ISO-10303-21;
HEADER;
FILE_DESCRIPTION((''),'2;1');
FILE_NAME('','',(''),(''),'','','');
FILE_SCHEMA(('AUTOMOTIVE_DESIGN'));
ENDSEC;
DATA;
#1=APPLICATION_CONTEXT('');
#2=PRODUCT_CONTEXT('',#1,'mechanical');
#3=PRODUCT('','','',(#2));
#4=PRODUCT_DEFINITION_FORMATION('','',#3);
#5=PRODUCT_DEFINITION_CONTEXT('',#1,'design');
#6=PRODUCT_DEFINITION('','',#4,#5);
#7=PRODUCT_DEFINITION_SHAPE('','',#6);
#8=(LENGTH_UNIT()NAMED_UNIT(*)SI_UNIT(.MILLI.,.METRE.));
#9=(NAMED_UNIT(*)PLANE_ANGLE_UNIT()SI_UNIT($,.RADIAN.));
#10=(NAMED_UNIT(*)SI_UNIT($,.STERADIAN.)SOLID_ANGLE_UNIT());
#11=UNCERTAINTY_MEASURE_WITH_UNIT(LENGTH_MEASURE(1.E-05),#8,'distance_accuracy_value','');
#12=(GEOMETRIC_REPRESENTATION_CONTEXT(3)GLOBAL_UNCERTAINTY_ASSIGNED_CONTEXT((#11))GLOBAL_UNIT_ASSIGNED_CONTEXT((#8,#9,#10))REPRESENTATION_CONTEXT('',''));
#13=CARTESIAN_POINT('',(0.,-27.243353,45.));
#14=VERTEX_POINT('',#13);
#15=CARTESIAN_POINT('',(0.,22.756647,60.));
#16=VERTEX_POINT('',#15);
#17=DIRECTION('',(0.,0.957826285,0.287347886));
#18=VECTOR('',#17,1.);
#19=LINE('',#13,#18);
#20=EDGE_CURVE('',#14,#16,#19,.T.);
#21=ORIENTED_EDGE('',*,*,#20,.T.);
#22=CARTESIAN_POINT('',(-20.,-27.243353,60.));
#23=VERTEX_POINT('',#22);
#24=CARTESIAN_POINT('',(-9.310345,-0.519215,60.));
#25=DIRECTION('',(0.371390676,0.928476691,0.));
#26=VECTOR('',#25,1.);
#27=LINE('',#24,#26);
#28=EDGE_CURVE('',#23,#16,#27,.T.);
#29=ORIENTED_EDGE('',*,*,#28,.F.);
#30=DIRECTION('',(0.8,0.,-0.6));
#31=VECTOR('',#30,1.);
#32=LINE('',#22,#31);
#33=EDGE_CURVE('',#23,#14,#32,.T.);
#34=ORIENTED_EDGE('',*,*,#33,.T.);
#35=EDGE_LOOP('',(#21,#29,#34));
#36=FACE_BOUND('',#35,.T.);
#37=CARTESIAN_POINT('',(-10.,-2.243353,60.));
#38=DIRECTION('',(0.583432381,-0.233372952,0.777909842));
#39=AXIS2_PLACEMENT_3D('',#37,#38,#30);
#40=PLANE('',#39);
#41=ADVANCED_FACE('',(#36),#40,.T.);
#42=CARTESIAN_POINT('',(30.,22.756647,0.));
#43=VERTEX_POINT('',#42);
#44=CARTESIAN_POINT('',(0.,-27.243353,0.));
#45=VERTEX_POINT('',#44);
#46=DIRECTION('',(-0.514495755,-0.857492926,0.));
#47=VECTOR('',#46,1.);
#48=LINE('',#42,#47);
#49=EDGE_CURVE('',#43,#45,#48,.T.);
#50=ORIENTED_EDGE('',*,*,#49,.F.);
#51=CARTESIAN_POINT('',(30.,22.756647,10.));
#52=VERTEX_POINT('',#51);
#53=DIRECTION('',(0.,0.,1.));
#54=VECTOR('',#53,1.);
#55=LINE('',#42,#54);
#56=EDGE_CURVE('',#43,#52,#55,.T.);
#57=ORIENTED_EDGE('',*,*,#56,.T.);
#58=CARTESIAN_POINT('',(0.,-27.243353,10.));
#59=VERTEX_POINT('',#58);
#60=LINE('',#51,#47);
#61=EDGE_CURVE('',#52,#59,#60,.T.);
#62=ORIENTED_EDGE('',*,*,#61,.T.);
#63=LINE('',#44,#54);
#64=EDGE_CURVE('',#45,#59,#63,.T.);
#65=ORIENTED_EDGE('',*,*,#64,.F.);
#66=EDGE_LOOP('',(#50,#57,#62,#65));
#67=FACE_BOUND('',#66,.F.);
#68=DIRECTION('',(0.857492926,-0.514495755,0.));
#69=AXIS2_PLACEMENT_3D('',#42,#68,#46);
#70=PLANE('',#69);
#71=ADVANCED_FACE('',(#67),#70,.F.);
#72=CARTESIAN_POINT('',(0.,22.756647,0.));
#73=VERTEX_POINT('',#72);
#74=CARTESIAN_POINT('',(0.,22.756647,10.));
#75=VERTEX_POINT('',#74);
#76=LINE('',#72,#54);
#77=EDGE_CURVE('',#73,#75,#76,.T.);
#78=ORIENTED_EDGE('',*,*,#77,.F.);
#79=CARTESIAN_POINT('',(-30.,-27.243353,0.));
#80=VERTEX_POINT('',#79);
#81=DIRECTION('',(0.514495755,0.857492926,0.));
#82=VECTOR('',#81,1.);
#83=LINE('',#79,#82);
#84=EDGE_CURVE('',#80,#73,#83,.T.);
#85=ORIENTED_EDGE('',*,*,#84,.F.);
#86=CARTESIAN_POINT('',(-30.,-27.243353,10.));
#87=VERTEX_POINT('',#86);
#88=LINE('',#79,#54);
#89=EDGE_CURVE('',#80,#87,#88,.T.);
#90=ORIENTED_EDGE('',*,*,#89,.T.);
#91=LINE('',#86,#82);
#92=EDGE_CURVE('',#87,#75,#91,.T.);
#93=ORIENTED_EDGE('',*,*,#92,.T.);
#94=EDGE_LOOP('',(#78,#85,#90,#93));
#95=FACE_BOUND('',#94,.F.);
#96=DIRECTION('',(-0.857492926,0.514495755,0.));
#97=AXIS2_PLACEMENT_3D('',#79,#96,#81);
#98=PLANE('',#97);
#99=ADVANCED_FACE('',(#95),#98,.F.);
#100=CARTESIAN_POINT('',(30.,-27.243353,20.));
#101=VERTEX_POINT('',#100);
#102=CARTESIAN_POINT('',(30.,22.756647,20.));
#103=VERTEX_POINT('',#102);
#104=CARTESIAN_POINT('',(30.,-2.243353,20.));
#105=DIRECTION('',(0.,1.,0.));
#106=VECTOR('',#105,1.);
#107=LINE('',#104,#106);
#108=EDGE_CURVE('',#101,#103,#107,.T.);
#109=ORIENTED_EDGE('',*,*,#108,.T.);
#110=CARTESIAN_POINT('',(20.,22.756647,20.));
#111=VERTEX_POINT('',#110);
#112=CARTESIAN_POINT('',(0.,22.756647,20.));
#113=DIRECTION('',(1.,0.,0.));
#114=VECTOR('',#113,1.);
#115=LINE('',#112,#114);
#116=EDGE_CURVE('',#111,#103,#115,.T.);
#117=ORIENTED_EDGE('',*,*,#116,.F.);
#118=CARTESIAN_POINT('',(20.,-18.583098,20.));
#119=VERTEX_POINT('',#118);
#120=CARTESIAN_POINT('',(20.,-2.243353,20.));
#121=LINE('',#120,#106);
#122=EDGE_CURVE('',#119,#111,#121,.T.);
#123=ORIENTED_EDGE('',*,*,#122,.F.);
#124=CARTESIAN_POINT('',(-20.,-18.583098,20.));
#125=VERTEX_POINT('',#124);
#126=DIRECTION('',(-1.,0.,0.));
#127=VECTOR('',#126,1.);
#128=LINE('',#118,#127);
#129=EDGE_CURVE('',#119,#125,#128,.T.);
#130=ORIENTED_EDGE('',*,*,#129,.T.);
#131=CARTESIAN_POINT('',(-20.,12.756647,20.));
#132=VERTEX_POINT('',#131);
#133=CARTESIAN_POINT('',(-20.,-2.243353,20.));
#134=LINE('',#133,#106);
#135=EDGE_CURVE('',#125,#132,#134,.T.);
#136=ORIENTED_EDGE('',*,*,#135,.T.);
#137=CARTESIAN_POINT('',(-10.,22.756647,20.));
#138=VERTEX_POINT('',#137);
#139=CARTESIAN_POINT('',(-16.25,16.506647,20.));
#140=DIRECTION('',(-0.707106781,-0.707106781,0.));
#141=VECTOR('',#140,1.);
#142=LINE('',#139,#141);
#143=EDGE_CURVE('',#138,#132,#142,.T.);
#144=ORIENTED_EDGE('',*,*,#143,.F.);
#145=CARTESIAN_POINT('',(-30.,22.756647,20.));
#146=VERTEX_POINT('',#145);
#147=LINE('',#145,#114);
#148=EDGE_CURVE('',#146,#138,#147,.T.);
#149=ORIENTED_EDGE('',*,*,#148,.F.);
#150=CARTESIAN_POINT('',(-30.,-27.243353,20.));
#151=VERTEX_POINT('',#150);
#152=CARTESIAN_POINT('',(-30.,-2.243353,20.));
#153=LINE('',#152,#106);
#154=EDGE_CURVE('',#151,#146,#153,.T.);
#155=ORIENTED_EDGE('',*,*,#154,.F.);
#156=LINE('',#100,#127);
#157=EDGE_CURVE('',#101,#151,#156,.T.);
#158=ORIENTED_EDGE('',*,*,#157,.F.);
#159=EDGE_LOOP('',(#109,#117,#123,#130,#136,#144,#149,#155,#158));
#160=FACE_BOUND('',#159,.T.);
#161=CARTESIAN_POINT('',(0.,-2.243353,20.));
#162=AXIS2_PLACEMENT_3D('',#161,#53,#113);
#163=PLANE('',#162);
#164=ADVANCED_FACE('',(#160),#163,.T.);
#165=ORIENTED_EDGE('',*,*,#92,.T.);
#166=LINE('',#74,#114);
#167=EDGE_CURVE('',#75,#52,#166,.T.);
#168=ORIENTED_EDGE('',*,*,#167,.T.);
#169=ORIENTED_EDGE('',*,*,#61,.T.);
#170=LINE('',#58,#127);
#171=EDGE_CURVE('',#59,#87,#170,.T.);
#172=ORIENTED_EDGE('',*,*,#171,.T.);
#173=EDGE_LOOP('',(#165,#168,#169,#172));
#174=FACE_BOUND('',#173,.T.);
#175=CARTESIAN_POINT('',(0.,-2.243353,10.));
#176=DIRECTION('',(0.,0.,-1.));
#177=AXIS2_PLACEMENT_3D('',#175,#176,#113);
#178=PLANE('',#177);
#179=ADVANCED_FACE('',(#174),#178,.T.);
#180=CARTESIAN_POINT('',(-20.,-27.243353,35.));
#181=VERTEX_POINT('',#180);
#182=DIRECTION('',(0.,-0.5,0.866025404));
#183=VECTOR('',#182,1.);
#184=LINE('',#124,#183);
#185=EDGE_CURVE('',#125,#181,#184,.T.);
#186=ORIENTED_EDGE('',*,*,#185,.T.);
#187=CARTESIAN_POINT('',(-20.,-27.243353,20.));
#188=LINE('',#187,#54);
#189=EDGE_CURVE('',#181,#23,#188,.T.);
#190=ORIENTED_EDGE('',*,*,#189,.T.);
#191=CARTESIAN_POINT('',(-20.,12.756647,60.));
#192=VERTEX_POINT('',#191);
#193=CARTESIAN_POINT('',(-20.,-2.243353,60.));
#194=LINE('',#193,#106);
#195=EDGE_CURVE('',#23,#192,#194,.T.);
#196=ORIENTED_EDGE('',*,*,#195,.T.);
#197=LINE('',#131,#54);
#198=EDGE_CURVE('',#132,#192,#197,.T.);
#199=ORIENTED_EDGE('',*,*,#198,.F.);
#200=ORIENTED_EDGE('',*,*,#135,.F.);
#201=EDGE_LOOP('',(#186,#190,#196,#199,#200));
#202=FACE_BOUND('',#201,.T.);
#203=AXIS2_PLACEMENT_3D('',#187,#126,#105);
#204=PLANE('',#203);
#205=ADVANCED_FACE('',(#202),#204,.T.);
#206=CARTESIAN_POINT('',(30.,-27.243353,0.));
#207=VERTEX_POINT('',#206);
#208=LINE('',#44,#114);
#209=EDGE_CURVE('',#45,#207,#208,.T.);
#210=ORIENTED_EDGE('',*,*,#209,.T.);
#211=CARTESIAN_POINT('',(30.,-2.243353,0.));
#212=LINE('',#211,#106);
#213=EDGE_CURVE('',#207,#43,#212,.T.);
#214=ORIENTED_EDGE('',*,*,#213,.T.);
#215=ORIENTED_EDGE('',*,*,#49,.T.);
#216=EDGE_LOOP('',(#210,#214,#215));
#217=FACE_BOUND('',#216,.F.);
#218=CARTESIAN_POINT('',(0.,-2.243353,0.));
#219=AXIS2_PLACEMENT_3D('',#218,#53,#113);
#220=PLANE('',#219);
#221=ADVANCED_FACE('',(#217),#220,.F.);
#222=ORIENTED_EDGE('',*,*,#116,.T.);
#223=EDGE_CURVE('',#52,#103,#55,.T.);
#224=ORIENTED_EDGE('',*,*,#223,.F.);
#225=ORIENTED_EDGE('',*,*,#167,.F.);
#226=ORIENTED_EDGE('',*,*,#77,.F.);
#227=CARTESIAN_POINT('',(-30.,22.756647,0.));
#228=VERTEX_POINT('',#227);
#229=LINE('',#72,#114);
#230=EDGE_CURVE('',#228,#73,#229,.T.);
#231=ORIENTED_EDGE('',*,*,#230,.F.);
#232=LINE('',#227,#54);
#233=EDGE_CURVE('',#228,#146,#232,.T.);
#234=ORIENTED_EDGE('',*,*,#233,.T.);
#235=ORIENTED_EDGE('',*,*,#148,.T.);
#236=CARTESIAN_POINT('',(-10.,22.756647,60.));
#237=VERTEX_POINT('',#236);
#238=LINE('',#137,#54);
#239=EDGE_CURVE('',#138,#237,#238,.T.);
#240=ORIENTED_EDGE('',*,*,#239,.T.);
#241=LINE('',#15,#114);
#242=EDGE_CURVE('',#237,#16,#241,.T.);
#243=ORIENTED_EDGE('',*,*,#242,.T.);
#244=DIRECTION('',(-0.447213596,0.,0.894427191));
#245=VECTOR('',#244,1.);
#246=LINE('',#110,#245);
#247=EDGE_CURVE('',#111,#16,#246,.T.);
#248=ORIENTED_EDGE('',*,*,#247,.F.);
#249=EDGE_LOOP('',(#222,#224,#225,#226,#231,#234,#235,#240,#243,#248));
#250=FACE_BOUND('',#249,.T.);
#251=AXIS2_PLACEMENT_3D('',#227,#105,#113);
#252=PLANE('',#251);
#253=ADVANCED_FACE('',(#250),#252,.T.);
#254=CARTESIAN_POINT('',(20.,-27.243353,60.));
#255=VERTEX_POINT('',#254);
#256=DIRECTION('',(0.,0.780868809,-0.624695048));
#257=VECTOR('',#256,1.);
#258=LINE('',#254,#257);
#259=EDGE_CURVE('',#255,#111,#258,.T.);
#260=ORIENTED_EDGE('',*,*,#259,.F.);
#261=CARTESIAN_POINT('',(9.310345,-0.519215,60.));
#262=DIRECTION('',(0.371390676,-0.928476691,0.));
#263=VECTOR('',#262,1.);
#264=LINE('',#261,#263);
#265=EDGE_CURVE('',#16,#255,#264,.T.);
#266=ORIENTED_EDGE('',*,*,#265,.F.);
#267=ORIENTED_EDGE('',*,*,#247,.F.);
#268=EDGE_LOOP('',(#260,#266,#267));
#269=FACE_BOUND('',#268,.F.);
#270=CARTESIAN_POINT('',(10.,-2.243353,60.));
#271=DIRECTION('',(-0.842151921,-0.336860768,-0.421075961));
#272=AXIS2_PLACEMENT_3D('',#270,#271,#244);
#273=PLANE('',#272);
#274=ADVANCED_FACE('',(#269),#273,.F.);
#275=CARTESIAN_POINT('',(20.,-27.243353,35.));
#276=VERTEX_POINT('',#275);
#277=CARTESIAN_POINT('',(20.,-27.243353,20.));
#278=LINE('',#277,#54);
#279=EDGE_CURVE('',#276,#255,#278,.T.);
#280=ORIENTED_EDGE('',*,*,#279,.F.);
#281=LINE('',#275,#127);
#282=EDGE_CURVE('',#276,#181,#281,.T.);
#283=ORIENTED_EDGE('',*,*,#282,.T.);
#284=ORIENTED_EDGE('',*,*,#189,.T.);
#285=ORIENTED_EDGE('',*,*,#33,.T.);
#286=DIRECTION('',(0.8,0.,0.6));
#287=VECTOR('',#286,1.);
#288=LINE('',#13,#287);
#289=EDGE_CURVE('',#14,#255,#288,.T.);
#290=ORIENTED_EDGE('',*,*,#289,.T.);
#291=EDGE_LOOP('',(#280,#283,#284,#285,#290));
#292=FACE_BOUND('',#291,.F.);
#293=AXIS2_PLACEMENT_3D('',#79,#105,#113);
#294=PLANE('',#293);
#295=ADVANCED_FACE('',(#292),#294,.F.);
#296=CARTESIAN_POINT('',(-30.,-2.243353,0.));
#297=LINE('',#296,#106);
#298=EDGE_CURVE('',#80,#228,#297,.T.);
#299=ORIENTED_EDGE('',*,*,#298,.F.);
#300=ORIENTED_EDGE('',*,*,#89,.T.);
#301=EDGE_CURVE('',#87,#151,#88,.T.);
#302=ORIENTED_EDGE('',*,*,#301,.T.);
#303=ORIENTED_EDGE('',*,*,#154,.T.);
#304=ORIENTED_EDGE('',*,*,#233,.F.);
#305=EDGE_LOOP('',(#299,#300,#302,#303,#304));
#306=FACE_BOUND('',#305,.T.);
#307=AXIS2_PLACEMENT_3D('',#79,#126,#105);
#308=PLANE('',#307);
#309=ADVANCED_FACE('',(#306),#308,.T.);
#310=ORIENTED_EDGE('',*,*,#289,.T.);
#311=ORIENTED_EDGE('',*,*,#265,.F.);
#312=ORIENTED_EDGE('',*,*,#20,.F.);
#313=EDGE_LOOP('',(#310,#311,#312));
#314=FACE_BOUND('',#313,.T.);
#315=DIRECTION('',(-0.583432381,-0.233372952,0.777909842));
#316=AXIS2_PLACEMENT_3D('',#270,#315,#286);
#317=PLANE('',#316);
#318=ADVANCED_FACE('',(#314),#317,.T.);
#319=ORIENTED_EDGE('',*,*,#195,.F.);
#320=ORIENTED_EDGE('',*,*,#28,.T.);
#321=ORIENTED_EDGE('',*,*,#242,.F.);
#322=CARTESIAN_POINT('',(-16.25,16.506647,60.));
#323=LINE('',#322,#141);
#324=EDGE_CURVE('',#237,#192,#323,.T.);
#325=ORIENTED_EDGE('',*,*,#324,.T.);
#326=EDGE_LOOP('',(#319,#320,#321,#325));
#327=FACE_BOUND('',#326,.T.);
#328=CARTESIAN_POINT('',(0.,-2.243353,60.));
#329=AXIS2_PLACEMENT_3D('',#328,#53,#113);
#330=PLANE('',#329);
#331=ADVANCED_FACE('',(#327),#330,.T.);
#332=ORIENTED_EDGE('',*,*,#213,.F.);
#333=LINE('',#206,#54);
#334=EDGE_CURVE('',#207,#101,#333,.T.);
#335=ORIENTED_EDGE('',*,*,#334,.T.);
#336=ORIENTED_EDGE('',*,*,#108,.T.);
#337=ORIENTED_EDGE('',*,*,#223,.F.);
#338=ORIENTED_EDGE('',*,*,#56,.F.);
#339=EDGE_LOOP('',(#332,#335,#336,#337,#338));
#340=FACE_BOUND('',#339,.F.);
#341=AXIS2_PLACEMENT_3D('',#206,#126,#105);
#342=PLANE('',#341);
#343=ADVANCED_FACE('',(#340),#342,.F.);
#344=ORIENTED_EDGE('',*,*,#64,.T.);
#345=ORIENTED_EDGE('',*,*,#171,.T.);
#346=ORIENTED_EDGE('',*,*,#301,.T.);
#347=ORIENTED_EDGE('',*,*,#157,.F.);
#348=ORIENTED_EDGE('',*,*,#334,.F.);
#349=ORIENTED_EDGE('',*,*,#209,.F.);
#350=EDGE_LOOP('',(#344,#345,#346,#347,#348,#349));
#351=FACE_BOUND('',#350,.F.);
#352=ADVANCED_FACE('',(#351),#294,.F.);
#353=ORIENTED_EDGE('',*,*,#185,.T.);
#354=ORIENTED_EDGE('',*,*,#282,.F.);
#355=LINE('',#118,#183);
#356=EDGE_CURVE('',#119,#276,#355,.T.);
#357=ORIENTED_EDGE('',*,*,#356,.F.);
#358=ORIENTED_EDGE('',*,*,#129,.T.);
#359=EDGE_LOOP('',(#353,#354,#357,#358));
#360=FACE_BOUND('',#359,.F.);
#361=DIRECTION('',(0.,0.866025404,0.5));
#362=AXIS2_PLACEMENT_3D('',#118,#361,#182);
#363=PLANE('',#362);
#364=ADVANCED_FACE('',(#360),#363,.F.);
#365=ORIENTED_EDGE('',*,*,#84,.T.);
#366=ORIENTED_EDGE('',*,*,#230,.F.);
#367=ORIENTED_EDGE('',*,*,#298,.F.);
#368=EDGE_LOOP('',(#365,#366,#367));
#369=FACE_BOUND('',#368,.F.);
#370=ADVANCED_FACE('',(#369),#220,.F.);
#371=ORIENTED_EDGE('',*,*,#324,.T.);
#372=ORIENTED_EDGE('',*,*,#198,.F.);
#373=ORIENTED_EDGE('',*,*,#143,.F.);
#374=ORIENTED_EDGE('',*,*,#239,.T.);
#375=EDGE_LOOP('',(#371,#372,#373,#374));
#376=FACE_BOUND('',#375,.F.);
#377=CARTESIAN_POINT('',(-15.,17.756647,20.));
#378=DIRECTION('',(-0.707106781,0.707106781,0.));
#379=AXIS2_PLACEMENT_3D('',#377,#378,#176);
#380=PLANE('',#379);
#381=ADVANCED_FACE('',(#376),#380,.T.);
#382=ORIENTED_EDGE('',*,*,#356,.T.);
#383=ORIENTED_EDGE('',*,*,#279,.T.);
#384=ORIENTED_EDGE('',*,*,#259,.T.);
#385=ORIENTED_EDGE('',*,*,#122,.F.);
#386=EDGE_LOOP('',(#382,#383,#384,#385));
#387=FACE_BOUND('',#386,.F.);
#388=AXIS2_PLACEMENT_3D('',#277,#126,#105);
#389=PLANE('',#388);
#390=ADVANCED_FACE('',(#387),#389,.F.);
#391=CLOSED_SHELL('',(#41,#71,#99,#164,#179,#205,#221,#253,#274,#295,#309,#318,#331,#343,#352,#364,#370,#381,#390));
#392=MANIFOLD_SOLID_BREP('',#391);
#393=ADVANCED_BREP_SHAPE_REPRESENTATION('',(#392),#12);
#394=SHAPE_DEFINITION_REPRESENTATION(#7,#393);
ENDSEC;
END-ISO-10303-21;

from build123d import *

# Parameters (mm, degrees)
F0_W     = 60
F0_H     = 50
F1_DEPTH = 20
F2_W     = 40
F2_H     = 50
F3_DEPTH = 40
F5_DEPTH = 40
F7_DEPTH = 10
F14_SIZE = 10


with BuildPart() as f1:
    # F0 (on Top) → F1 (new body)
    with BuildSketch(Plane.XY):
        with Locations((0, -2.2433525367)):
            Rectangle(F0_W, F0_H)
    extrude(amount=F1_DEPTH)

    # F2 (on face) → F3 (join)
    with BuildSketch(Plane.XY.offset(20)):
        with Locations((0, -2.2433525367)):
            Rectangle(F2_W, F2_H)
    extrude(amount=F3_DEPTH)

    # F4 (on face) → F5 (cut, through all)
    with BuildSketch(Plane.YZ.offset(20)):
        Polygon((-18.5830984988, 20), (-27.2433525367, 35), (-27.2433525367, 20), align=None)
    extrude(amount=-F5_DEPTH, mode=Mode.SUBTRACT)

    # F6 (on face) → F7 (cut)
    with BuildSketch(Plane(origin=(0, 0, 0), x_dir=(1, 0, 0), z_dir=(0, 0, -1))):
        Polygon((0, 27.2433525367), (-30, 27.2433525367), (0, -22.7566474633), (30, -22.7566474633), align=None)
    extrude(amount=-F7_DEPTH, mode=Mode.SUBTRACT)

    # F10: sweep along a path in F9
    with BuildLine(Plane.YZ.offset(20)) as f10_path:
        Line((-27.2433525367, 45), (22.7566474633, 60))
    # F8 (on face) → F10 (sweep, cut)
    with BuildSketch(Plane.XZ.offset(27.2433525367)):
        Polygon((20, 60), (-20, 60), (0, 45), align=None)
    sweep(path=f10_path.line, mode=Mode.SUBTRACT)

    # F13: sweep along a path in F12
    with BuildLine(Plane.YZ.offset(20)) as f13_path:
        Line((-27.2433525367, 60), (22.7566474633, 20))
    # F11 (on face) → F13 (sweep, cut)
    with BuildSketch(Plane(origin=(0, 22.7566474633, 0), x_dir=(-1, 0, 0), z_dir=(0, 1, 0))):
        Polygon((0, 60), (-20, 60), (-20, 20), align=None)
    sweep(path=f13_path.line, mode=Mode.SUBTRACT)

    # F14
    f14_edges = [f1.edges().sort_by_distance(p)[0] for p in [
        (-20, 22.756647, 40),
    ]]
    chamfer(f14_edges, length=F14_SIZE)


solid = f1.part
